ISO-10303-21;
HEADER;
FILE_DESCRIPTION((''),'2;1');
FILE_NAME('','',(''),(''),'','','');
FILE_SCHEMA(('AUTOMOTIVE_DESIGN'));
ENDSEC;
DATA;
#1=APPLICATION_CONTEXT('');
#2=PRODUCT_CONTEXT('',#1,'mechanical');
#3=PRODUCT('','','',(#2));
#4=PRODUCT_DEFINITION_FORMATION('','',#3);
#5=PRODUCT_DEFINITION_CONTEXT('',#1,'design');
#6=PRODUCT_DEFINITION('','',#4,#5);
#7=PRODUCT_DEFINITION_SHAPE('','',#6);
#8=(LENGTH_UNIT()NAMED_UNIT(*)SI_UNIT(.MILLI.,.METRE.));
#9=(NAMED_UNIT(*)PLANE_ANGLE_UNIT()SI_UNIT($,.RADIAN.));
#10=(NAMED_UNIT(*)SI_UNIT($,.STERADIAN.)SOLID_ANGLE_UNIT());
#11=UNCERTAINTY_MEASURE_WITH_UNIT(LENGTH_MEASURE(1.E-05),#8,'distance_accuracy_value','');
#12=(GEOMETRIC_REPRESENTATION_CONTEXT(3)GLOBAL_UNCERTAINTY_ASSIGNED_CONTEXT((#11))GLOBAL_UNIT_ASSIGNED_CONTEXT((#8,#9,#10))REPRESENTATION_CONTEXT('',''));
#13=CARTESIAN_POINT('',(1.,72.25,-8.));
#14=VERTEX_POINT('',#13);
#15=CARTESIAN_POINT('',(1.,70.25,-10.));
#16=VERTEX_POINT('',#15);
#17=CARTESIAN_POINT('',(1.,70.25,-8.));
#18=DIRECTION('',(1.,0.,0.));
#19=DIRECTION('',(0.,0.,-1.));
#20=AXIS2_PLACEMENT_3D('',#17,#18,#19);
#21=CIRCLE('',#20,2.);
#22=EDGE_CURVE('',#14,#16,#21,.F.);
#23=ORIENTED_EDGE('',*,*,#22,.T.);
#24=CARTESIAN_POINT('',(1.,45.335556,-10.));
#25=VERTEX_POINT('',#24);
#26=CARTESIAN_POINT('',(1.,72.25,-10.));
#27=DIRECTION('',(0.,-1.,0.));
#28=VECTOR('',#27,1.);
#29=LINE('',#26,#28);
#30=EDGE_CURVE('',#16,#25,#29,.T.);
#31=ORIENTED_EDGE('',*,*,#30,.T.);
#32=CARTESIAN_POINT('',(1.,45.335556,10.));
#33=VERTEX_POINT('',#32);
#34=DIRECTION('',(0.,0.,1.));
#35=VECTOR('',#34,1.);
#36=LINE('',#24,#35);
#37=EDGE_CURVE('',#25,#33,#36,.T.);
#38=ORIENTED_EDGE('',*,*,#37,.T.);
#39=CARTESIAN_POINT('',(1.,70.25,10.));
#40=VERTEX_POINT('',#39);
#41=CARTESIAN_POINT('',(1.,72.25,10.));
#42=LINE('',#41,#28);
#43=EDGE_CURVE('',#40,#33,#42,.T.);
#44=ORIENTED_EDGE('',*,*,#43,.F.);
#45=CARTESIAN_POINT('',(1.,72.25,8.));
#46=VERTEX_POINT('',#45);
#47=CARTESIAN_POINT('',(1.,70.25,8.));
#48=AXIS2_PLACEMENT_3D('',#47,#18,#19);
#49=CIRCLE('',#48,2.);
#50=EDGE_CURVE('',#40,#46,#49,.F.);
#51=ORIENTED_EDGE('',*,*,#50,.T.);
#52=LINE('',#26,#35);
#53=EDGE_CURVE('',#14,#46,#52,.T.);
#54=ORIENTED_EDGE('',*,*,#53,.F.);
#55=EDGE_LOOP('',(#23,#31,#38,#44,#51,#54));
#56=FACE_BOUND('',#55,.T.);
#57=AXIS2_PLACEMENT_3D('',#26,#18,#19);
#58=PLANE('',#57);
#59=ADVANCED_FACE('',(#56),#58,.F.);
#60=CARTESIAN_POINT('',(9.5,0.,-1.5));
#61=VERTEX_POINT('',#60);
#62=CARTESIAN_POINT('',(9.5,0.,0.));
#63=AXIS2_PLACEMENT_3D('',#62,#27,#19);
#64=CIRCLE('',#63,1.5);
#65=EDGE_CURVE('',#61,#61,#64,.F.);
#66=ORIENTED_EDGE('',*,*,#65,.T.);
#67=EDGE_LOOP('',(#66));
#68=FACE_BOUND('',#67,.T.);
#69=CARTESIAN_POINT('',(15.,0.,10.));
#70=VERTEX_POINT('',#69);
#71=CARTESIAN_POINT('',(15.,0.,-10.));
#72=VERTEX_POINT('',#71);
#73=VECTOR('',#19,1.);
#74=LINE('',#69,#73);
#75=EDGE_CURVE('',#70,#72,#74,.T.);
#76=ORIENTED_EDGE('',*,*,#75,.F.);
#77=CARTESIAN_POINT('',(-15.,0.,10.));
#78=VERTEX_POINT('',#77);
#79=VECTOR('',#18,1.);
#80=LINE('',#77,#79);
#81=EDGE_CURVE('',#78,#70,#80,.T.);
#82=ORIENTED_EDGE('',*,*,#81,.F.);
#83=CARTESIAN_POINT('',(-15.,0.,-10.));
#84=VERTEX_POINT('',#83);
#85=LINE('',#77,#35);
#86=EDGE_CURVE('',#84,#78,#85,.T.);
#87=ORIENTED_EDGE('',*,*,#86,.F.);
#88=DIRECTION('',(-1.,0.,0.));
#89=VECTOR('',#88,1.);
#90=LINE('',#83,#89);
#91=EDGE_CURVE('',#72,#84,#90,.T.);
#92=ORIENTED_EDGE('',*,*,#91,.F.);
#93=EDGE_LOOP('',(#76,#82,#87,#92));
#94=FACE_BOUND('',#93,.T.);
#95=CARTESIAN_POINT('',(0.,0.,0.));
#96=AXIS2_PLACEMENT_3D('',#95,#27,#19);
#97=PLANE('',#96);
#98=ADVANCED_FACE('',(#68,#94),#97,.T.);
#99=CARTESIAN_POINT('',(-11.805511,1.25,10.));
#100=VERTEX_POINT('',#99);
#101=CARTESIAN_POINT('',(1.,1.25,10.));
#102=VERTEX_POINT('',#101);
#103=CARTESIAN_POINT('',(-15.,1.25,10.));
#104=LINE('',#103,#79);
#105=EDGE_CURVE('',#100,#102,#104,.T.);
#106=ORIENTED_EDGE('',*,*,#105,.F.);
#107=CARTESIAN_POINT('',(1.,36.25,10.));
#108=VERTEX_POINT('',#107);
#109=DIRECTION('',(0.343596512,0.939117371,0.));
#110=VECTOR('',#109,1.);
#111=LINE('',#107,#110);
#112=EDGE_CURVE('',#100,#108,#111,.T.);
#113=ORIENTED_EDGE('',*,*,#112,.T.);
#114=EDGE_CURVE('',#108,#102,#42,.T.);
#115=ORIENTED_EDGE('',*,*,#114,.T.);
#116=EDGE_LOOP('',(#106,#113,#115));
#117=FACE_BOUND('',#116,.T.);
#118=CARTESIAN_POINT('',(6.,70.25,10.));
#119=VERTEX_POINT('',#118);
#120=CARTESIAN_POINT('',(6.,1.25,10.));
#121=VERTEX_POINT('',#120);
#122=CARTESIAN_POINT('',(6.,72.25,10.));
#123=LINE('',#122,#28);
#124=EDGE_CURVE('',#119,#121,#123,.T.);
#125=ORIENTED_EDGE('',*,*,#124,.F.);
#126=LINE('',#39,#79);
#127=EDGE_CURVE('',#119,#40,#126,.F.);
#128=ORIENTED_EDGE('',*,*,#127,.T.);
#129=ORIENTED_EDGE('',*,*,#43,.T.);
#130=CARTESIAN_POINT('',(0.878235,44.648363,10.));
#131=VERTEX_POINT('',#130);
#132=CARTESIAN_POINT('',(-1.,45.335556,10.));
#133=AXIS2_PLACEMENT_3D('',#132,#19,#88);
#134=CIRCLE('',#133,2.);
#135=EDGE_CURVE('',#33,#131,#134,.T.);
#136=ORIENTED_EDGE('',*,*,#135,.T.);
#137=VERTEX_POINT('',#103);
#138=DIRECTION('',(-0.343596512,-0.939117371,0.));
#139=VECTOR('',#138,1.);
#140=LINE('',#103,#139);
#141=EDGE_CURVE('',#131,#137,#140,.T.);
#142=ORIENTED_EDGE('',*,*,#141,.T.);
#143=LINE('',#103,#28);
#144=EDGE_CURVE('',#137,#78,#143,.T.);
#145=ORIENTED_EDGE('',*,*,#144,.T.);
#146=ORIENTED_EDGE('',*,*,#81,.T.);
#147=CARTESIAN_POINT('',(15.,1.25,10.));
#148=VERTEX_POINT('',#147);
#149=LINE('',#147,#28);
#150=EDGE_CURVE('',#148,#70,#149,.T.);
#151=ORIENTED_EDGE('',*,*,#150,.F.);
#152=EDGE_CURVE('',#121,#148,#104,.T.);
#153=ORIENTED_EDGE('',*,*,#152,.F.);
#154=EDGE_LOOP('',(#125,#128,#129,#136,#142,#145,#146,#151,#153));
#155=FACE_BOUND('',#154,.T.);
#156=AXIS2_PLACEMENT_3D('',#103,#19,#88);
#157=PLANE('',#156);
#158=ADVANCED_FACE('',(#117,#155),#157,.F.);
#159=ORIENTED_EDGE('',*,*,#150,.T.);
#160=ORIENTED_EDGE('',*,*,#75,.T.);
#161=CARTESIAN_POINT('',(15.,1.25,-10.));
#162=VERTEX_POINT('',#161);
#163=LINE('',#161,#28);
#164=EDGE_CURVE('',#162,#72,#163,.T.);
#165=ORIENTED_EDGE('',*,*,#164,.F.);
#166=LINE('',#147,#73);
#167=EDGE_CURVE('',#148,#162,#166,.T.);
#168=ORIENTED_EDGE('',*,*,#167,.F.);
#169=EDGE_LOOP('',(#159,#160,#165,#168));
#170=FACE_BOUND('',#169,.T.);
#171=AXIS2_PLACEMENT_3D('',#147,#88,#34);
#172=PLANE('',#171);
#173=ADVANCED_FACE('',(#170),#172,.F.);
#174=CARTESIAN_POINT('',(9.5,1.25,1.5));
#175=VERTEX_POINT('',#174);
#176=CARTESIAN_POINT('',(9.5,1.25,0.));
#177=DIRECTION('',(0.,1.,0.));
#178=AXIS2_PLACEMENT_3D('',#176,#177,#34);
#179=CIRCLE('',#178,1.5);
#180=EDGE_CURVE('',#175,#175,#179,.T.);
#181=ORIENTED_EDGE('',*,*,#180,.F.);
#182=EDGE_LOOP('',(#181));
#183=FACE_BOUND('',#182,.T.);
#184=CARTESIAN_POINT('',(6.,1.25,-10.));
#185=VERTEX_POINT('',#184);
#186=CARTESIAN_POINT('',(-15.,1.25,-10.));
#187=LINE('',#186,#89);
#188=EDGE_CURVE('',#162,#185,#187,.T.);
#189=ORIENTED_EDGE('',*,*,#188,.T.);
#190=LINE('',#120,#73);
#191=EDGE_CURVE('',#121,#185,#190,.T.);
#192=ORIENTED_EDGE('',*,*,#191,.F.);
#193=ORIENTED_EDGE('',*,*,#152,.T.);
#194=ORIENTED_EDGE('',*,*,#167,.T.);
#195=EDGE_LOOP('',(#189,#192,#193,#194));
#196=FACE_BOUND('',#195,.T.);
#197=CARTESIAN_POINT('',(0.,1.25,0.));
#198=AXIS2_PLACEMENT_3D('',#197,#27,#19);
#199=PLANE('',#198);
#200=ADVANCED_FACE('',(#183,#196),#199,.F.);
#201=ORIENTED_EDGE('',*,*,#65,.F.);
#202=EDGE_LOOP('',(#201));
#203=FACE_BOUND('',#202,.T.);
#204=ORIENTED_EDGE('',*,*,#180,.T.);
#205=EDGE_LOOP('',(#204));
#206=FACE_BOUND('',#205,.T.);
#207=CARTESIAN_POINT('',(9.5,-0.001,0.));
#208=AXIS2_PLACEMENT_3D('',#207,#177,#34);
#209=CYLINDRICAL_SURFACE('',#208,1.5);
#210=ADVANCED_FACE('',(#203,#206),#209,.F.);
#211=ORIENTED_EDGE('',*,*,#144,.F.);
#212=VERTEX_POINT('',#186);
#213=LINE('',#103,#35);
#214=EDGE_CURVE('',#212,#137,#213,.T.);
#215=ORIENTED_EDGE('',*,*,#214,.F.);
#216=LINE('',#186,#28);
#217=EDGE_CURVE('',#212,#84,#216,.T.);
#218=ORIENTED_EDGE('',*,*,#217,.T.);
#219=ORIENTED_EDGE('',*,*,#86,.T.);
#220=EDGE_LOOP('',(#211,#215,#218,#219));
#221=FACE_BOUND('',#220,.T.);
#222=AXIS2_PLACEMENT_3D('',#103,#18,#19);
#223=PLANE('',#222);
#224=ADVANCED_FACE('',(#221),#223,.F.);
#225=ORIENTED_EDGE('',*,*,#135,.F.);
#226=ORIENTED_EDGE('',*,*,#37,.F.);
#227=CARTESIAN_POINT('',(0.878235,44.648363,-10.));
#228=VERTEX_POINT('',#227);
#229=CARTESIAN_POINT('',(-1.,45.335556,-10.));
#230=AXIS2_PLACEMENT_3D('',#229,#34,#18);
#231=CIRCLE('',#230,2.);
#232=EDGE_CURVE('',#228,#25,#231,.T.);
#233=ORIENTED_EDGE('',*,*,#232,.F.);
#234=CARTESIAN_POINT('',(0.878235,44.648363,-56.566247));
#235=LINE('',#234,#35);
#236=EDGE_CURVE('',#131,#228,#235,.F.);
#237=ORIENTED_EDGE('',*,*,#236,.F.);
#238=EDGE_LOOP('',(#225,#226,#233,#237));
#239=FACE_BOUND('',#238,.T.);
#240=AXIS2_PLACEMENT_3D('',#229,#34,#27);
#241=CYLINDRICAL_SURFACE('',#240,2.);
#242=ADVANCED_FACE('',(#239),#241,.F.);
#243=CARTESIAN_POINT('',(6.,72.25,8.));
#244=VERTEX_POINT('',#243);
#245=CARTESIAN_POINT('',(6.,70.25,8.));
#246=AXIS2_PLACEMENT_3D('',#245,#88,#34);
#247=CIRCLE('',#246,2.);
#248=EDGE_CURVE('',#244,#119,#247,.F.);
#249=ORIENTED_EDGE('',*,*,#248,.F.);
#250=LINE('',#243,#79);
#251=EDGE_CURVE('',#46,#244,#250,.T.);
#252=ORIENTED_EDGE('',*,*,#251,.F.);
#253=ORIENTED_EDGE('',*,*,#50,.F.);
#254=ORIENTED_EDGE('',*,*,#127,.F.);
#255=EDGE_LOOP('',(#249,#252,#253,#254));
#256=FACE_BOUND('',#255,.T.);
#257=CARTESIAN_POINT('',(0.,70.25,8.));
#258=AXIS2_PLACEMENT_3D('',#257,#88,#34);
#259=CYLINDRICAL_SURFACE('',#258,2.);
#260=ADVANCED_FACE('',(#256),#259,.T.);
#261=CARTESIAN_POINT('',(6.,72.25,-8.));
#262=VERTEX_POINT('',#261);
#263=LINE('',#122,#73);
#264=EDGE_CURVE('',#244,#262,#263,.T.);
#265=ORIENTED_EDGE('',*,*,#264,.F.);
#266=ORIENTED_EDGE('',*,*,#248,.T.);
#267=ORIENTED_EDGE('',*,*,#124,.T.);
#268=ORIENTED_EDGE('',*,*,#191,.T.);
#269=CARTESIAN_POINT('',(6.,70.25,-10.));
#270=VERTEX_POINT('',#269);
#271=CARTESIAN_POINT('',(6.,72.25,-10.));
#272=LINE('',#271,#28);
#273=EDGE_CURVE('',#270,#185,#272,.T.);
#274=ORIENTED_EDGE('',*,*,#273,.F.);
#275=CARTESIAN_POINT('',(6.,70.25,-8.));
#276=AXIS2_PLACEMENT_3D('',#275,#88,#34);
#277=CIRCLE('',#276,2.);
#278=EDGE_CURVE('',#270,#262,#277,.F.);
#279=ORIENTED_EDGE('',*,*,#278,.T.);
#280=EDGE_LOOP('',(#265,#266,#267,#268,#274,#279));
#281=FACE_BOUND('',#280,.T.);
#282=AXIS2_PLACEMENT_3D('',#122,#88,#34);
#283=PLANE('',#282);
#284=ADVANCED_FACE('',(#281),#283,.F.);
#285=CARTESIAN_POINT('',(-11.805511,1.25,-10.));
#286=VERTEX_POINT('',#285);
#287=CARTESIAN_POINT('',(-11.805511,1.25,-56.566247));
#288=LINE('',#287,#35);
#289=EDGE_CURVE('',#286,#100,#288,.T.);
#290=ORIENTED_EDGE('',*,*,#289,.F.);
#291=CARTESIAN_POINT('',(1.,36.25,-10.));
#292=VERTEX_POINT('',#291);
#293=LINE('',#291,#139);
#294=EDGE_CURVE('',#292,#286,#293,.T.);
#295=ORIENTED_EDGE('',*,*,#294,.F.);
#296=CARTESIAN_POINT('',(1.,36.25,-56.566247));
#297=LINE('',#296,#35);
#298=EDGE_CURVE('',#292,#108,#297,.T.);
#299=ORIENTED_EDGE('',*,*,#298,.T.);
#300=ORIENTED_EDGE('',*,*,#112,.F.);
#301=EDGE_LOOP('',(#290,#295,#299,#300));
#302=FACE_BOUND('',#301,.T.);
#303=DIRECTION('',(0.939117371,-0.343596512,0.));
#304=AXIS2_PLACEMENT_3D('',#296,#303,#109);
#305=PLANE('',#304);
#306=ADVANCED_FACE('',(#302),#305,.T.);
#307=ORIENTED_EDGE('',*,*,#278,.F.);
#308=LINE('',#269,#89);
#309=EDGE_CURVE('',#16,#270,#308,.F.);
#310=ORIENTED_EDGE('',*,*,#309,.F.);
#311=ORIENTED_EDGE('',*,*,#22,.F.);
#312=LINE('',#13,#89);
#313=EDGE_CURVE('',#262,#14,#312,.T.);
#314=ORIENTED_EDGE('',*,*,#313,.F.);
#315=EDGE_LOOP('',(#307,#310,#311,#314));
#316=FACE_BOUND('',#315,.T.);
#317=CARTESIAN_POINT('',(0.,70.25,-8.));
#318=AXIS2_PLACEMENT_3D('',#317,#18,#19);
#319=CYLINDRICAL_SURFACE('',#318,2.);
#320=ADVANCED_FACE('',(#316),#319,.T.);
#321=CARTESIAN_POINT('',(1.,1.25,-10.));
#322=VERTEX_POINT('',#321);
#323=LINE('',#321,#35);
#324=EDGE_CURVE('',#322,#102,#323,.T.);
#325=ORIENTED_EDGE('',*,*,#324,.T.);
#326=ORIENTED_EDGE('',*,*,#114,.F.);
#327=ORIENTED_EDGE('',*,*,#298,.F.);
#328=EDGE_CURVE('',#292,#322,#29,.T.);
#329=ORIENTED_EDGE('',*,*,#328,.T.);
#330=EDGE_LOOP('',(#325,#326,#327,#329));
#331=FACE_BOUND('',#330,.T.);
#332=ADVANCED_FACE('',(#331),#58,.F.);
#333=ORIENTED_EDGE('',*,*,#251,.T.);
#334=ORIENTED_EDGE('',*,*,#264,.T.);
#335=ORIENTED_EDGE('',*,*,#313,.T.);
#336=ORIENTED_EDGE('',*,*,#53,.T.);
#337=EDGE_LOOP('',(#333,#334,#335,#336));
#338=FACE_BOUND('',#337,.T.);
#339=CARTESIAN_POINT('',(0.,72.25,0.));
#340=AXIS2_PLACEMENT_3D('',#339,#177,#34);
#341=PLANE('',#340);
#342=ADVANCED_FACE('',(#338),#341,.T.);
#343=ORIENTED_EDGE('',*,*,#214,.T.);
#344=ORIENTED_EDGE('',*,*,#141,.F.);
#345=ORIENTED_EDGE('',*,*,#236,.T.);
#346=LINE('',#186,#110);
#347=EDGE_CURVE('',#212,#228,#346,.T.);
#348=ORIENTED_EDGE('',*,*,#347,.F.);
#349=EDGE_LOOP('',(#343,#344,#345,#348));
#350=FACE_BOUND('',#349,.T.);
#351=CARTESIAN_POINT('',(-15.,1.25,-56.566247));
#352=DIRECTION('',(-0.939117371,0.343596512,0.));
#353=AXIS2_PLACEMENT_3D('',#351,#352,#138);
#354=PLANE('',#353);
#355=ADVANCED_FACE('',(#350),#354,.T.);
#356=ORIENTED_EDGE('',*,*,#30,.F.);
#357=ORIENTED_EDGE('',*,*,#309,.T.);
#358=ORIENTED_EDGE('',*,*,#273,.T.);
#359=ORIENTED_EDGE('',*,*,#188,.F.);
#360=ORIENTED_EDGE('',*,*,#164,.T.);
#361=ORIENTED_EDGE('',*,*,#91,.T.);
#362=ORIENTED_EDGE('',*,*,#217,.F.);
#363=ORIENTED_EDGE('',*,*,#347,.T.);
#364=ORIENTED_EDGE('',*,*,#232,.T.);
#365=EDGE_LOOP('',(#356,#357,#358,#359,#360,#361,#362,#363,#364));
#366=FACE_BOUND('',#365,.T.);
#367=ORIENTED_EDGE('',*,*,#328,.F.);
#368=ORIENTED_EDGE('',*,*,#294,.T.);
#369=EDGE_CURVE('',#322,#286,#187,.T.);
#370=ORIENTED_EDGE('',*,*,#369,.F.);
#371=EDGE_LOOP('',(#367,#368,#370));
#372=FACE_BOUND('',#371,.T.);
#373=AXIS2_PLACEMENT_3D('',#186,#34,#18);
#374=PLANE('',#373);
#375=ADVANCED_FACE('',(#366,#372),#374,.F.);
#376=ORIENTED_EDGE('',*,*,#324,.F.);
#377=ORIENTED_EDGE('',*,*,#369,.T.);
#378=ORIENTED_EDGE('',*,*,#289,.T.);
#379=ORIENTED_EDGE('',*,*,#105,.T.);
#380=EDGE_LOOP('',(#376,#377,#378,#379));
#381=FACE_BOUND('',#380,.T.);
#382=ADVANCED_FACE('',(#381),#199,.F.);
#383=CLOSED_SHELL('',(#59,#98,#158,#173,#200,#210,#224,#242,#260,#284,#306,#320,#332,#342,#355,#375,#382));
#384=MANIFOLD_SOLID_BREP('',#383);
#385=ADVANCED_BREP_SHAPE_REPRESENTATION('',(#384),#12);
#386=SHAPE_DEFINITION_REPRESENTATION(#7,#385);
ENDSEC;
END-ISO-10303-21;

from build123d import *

# Parameters (mm, degrees)
SKETCH1_W           = 30
SKETCH1_H           = 20
BOSS_EXTRUDE1_DEPTH = 1.25
SKETCH2_W           = 5
SKETCH2_H           = 20
BOSS_EXTRUDE2_DEPTH = 71
BOSS_EXTRUDE3_DEPTH = 20
CUT_EXTRUDE2_REACH  = 3.25
SKETCH4_R           = 1.5
FILLET1_R           = 2


with BuildPart() as part:
    # Sketch1 → Boss-Extrude1 (new body)
    with BuildSketch(Plane(origin=(0, 0, 0), x_dir=(1, 0, 0), z_dir=(0, 1, 0))):
        Rectangle(SKETCH1_W, SKETCH1_H)
    extrude(amount=BOSS_EXTRUDE1_DEPTH)

    # Sketch2 → Boss-Extrude2 (add)
    with BuildSketch(Plane(origin=(0, 1.25, 0), x_dir=(1, 0, 0), z_dir=(0, 1, 0))):
        with Locations((3.5, 0)):
            Rectangle(SKETCH2_W, SKETCH2_H)
    extrude(amount=BOSS_EXTRUDE2_DEPTH)

    # Sketch3 → Boss-Extrude3 (add)
    with BuildSketch(Plane.XY.offset(10)):
        Polygon((1, 36.25), (-11.805511119, 1.25), (-15, 1.25), (1, 44.981171275), align=None)
    extrude(amount=-BOSS_EXTRUDE3_DEPTH)

    # Sketch4 → Cut-Extrude2 (cut, up to next)
    with BuildSketch(Plane(origin=(0, 1.25, 0), x_dir=(1, 0, 0), z_dir=(0, 1, 0)), mode=Mode.PRIVATE) as cut_extrude2_sk1:
        with Locations((9.5, 0)):
            Circle(SKETCH4_R)
    cut_extrude2_tool1 = extrude(cut_extrude2_sk1.sketch, amount=-CUT_EXTRUDE2_REACH, mode=Mode.PRIVATE) & part.part
    add(cut_extrude2_tool1.solids().sort_by_distance((9.5, 1.25, 0))[0], mode=Mode.SUBTRACT)

    # Fillet1
    fillet1_edges = [part.edges().sort_by_distance(p)[0] for p in [
        (3.5, 72.25, -10),
        (3.5, 72.25, 10),
        (1, 44.981171275, 0),
    ]]
    fillet(fillet1_edges, radius=FILLET1_R)


solid = part.part
